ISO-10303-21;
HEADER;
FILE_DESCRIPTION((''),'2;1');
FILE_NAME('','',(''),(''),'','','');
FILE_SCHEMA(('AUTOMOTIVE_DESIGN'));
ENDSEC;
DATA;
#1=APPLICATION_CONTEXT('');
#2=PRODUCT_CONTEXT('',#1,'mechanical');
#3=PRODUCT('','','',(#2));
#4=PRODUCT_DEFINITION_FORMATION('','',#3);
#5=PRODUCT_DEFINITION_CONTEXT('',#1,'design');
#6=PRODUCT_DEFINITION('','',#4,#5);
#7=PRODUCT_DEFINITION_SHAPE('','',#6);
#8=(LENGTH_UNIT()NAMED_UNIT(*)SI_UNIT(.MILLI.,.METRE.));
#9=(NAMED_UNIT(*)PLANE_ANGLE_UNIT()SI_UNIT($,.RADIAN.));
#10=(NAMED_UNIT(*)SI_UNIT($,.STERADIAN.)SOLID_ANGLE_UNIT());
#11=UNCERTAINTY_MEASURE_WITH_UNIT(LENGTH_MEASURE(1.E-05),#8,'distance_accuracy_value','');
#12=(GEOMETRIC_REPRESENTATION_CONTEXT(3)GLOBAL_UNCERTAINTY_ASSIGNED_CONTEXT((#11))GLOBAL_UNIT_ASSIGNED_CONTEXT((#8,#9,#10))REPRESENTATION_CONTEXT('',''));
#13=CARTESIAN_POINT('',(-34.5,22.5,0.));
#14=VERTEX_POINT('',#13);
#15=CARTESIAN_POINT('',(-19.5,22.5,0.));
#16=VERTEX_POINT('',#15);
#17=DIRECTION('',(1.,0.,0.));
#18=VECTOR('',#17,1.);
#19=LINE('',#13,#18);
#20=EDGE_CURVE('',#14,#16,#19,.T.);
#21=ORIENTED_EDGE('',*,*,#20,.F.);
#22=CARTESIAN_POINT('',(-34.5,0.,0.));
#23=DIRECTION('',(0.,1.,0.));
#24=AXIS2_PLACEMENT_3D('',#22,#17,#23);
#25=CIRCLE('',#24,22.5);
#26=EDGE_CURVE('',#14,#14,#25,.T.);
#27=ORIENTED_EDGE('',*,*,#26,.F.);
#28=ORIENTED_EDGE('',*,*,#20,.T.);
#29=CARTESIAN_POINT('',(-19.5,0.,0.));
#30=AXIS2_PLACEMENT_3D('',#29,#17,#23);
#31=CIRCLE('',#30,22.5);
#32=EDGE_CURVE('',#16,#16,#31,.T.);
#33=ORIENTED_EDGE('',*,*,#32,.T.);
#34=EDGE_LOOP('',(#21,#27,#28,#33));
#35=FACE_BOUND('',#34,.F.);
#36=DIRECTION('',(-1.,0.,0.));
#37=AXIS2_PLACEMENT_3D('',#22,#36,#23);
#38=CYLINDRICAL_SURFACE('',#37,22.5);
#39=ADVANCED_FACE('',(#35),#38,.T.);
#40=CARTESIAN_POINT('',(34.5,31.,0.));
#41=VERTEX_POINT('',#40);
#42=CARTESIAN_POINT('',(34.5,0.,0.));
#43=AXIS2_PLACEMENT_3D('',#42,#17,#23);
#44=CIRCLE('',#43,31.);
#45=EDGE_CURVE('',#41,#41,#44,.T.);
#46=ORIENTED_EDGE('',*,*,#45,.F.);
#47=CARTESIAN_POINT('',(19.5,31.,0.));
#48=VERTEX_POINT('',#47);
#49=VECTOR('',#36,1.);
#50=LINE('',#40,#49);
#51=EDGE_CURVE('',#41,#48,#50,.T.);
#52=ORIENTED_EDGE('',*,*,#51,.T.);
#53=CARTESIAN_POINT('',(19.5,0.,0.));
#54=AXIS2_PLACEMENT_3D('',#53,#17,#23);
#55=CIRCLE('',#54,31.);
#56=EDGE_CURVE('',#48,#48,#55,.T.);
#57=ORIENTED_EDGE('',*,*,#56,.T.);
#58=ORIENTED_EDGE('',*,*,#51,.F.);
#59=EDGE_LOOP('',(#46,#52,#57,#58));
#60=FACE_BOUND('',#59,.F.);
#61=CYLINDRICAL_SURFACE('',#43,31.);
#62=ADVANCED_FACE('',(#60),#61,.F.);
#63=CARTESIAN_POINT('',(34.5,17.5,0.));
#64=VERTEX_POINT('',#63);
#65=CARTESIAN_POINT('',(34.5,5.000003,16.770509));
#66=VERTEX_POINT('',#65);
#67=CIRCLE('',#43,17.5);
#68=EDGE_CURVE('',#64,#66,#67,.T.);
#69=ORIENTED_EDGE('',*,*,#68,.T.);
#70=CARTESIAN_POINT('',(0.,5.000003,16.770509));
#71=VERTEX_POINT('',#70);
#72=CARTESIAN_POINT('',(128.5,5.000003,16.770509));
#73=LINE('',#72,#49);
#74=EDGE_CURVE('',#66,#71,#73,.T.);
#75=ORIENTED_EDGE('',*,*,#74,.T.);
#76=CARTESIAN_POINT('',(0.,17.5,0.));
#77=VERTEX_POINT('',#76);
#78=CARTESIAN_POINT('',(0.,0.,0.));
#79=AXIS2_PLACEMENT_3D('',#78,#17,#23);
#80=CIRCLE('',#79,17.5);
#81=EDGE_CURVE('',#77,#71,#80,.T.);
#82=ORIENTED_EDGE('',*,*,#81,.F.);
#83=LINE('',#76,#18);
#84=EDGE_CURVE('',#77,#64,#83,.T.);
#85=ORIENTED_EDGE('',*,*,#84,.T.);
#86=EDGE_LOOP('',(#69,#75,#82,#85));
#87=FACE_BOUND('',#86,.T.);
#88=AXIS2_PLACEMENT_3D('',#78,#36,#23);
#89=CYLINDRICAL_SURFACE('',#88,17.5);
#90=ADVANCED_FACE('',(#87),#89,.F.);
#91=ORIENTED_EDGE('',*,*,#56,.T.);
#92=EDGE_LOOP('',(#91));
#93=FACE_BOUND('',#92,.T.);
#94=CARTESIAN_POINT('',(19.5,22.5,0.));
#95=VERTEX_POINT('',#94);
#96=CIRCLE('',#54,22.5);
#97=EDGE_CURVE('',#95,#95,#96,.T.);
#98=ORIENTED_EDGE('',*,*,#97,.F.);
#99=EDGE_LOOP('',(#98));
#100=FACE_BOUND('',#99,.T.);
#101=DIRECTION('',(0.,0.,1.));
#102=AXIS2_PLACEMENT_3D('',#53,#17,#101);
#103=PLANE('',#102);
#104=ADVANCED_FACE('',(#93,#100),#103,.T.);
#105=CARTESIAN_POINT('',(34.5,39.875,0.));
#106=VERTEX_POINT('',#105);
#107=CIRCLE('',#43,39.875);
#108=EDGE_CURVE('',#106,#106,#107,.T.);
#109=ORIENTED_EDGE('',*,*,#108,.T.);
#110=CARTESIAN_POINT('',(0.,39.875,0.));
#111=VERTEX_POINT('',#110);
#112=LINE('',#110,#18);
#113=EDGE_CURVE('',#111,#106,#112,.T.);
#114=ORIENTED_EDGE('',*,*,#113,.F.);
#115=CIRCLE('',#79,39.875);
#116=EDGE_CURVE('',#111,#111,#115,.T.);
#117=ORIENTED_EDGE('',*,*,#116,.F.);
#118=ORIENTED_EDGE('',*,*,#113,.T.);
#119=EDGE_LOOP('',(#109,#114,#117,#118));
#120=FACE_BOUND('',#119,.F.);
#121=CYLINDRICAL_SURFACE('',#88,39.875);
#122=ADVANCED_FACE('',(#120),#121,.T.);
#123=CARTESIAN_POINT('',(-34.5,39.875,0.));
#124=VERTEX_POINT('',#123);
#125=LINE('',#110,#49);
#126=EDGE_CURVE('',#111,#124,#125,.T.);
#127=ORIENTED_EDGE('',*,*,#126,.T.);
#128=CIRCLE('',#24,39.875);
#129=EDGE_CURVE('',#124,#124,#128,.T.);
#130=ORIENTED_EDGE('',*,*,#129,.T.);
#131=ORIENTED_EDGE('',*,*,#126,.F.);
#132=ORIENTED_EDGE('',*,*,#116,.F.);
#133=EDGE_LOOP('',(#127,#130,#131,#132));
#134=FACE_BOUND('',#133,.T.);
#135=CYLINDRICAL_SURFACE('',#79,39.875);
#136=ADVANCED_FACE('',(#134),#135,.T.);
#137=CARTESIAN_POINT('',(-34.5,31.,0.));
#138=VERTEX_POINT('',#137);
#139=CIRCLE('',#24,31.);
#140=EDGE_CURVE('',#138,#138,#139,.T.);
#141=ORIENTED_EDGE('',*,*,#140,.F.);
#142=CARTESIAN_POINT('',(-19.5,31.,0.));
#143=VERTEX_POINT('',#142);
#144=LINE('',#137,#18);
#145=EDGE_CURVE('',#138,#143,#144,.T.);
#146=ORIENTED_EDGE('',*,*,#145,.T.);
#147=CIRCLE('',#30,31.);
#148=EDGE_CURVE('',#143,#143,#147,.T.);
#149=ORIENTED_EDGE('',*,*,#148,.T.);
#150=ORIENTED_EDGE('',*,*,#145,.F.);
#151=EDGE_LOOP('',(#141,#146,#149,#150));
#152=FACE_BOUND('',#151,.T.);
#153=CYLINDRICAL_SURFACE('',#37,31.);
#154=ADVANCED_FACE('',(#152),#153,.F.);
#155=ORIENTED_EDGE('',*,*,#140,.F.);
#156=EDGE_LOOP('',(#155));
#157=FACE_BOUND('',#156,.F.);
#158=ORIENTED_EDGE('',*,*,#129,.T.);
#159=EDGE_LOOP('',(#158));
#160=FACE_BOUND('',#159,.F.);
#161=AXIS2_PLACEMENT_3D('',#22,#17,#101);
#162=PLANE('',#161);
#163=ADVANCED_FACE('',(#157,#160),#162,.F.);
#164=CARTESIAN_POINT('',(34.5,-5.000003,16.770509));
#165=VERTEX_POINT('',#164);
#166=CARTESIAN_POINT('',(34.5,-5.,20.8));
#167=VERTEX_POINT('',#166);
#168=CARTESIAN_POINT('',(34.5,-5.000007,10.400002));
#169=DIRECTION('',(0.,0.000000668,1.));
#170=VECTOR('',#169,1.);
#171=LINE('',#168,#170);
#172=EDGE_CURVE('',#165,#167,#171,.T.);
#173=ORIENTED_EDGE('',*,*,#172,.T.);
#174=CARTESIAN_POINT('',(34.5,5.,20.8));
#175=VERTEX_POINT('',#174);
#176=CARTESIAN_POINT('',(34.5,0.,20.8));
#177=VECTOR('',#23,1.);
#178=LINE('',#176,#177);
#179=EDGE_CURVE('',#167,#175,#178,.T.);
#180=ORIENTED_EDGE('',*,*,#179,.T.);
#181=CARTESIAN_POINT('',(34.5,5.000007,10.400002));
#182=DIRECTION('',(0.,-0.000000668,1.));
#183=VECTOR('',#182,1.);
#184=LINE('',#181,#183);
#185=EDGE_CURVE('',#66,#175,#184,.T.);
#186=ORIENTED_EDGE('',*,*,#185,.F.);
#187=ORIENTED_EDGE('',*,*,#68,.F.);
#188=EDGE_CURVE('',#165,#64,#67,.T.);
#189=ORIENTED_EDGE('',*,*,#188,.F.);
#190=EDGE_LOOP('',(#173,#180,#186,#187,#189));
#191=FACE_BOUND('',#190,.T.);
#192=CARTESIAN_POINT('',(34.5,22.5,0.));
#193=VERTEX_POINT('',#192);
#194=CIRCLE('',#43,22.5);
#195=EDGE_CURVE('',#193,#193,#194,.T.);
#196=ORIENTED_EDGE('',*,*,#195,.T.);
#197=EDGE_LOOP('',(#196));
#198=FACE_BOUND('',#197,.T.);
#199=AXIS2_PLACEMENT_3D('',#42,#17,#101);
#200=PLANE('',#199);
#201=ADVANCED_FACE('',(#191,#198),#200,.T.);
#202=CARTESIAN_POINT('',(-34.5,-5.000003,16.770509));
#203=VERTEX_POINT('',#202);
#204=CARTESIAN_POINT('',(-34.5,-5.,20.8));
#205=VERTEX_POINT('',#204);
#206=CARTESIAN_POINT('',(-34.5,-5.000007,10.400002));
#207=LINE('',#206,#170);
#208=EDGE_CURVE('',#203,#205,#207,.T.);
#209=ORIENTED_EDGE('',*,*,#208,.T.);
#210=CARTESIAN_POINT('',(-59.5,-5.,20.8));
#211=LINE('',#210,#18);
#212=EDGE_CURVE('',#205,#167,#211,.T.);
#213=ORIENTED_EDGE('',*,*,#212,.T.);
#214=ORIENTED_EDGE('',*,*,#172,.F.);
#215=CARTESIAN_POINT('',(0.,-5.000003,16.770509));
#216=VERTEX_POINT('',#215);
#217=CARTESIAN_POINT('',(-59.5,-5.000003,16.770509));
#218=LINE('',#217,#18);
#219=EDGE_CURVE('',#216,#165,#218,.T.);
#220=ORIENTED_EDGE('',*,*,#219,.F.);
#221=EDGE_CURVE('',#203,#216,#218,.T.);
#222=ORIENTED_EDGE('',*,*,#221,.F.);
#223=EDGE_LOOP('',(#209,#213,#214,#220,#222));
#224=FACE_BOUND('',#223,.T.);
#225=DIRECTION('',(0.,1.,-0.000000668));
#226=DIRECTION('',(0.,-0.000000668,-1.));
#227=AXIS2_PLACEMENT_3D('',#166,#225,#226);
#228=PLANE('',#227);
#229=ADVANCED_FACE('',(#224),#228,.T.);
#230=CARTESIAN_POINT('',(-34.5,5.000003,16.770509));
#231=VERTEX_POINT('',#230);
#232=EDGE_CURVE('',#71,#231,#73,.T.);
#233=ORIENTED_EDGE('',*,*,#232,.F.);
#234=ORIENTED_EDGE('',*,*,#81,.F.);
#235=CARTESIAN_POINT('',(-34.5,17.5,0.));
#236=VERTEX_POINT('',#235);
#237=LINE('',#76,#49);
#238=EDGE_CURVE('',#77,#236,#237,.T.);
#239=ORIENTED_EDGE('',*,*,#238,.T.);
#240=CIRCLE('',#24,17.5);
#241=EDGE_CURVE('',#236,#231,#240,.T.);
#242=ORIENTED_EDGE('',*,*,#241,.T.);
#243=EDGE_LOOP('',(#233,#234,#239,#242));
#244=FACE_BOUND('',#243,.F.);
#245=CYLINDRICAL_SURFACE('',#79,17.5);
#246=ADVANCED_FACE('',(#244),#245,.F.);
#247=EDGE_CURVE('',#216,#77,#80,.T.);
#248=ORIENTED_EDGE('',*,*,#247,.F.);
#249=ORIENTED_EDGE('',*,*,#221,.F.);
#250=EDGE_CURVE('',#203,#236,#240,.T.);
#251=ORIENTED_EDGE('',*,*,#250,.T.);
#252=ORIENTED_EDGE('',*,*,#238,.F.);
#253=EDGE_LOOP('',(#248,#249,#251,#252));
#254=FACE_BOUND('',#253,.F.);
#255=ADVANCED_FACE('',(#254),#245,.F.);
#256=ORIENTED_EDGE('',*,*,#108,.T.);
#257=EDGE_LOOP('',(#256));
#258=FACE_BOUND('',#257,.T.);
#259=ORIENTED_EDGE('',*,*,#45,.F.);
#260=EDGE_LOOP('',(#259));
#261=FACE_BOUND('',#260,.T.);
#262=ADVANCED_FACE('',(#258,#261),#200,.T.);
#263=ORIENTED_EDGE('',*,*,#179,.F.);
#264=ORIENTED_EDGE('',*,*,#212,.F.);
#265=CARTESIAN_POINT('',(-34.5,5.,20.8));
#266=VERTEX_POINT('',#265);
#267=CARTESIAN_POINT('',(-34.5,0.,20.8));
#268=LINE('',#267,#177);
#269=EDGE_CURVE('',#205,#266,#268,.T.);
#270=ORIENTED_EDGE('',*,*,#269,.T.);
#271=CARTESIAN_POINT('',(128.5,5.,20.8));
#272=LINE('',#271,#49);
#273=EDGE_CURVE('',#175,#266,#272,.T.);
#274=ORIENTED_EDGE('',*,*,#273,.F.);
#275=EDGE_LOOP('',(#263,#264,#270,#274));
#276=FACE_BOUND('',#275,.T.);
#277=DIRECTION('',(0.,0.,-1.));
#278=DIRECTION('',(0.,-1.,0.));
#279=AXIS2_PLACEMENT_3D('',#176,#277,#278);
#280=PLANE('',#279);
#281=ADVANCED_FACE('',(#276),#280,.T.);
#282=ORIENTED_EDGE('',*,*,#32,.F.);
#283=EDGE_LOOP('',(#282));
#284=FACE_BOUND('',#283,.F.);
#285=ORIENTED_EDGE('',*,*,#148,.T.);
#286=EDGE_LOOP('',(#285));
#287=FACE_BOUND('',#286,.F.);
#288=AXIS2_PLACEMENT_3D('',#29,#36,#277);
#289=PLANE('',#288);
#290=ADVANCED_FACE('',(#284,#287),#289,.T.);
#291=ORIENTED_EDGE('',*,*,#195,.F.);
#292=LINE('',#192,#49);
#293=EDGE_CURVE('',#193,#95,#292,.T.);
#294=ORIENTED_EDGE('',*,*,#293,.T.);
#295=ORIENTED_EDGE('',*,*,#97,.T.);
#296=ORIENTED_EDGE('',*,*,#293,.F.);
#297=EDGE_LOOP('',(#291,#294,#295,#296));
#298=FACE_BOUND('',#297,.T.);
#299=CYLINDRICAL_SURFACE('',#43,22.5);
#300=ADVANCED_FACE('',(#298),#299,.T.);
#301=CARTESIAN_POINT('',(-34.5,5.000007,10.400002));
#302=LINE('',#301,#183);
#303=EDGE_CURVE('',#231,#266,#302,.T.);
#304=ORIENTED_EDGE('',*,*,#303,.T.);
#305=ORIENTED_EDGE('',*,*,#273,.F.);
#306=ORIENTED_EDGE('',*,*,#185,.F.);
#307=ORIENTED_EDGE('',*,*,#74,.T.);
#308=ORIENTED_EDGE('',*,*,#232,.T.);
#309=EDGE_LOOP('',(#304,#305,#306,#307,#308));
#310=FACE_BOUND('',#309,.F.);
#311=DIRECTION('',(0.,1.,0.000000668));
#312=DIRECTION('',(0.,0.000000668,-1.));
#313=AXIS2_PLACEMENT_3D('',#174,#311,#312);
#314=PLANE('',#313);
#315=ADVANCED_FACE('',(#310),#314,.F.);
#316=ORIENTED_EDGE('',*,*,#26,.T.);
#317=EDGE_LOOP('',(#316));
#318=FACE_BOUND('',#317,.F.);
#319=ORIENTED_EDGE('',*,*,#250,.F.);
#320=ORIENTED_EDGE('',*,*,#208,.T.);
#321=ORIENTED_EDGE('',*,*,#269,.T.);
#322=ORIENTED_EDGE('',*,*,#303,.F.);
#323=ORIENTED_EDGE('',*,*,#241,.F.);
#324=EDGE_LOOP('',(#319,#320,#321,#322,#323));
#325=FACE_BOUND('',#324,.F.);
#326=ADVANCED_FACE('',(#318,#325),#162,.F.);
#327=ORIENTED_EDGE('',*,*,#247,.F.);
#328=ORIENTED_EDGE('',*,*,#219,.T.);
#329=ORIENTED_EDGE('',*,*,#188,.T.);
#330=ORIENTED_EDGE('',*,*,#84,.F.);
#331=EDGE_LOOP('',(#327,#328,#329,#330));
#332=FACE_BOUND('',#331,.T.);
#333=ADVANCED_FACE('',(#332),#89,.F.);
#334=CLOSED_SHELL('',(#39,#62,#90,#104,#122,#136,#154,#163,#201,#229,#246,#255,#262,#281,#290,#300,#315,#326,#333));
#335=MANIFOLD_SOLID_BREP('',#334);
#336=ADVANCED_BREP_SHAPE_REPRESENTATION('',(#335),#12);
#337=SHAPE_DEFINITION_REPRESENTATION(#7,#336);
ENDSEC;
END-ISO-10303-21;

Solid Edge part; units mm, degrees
sketch "Sketch1" plane through (0, 0, 0) normal (1, 0, 0) x (0, 1, 0)
  circle A0 centre (0, 0) radius 17.5
  circle A1 centre (0, 0) radius 39.875
extrude "Protrusion1" add sketch "Sketch1" along normal mid plane 69
sketch "Sketch2" plane through (34.5, 0, 0) normal (1, 0, 0) x (0, 1, 0)
  circle A0 centre (0, 0) radius 22.5
  circle A1 centre (0, 0) radius 31
extrude "VaciadoExtruido_3" cut sketch "Sketch2" against normal blind 15
mirror "Mirror1" about plane through (0, 0, 0) normal (1, 0, 0) of "VaciadoExtruido_3"
sketch "Sketch3" plane through (34.5, 0, 0) normal (1, 0, 0) x (0, 1, 0)
  line L0 (0, 20.8) -> (-5, 20.8)
  line L1 (-5, 20.8) -> (-5, 16.7705)
  line L2 (5, 20.8) -> (5, 16.7705)
  line L3 (0, 20.8) -> (5, 20.8)
  arc A0 (-5, 16.7705) -> (5, 16.7705) centre (0, 0) cw
extrude "VaciadoExtruido_5" cut sketch "Sketch3" along normal mid plane 188
properties material "Acero"
